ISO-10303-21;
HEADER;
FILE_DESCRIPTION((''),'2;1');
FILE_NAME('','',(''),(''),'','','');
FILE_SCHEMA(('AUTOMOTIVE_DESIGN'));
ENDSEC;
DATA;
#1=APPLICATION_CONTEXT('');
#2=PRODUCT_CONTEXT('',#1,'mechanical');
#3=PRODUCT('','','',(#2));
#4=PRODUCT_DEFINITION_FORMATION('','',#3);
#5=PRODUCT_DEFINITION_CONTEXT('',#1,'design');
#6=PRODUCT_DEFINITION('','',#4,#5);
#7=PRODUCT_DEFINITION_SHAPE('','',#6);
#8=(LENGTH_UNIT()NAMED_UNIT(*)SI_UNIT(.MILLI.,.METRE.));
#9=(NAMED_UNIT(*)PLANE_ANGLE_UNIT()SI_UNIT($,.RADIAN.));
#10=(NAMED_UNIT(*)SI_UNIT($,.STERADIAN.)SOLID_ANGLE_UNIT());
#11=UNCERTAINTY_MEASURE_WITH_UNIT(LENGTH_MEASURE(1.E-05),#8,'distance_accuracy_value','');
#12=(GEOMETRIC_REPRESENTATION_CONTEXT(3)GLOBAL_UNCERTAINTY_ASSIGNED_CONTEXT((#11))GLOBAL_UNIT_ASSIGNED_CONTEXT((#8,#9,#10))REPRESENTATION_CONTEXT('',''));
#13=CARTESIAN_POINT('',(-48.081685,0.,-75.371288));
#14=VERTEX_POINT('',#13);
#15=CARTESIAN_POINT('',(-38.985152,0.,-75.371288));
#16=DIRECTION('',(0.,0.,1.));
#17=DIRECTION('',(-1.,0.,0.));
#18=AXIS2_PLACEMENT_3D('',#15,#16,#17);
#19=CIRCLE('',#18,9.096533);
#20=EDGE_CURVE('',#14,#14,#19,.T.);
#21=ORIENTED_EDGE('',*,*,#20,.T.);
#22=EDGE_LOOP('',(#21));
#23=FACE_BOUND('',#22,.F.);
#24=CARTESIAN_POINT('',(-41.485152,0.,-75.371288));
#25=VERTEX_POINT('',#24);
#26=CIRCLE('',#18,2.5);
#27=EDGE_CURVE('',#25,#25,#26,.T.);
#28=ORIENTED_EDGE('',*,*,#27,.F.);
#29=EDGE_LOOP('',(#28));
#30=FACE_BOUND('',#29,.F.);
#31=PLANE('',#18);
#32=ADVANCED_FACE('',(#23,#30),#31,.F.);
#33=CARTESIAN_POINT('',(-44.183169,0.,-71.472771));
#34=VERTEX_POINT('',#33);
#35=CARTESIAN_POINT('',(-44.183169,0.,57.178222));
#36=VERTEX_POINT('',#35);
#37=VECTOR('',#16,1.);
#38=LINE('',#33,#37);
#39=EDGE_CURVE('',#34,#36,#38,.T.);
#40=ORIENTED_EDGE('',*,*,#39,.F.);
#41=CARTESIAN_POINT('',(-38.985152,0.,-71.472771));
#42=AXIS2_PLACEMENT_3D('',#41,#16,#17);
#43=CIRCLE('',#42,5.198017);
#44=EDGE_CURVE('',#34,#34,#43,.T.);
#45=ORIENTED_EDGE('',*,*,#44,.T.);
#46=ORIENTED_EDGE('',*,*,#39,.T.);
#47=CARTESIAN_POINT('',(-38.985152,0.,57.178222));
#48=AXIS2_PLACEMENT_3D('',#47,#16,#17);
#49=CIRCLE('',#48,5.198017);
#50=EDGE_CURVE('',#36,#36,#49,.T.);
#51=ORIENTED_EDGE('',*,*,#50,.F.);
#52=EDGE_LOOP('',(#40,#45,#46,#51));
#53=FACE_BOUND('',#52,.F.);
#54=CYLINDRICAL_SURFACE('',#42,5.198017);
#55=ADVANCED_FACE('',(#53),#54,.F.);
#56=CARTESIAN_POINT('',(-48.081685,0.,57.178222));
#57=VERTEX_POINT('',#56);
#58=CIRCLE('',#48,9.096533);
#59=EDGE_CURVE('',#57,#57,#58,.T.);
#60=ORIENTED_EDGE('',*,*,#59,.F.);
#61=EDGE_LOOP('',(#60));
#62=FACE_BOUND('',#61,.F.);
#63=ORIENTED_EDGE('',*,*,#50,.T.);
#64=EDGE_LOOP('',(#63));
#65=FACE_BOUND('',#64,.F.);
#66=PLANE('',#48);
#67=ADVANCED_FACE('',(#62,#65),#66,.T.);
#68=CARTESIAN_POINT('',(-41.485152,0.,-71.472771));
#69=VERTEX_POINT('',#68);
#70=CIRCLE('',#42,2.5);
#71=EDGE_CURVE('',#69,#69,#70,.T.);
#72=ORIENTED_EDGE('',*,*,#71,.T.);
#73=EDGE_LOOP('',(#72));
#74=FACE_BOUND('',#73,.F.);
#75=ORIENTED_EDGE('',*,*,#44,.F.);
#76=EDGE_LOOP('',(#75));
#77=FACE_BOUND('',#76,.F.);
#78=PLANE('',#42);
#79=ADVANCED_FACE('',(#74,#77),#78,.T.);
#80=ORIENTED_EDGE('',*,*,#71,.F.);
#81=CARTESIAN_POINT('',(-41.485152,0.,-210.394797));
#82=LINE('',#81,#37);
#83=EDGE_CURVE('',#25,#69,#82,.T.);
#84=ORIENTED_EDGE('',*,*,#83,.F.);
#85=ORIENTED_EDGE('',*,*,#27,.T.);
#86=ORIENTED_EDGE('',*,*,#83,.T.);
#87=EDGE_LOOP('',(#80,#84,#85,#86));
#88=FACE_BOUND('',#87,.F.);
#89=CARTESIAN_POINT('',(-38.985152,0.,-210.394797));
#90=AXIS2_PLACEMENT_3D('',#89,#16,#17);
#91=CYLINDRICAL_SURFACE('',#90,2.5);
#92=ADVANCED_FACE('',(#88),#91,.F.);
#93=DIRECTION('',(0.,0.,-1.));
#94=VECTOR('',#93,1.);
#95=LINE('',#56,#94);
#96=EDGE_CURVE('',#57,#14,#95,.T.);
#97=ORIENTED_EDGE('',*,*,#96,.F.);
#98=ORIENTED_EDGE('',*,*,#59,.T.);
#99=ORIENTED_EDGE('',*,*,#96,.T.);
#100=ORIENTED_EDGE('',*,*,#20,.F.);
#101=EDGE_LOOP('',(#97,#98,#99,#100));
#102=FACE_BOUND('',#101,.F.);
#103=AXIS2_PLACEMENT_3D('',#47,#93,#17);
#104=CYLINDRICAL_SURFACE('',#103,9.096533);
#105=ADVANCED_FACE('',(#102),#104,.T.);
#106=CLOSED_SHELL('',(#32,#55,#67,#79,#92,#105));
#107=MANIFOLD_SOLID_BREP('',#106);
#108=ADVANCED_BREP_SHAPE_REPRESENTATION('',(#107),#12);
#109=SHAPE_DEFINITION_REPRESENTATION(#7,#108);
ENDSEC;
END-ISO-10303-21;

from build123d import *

# Parameters (mm, degrees)
F3_D = 5


with BuildPart() as f1:
    # F0 (on Front) → F1 (revolve)
    with BuildSketch(Plane.XZ):
        Polygon((-44.183169, 57.178222), (-48.081685, 57.178222), (-48.081685, -75.371288), (-38.985152, -75.371288), (-38.985152, -71.472771), (-44.183169, -71.472771), align=None)
    revolve(axis=Axis((-38.985152, 0, -73.42203), (0, 0, 1)))

    # F3 (through all)
    with Locations(Plane(origin=(0, 0, -75.371288), x_dir=(1, 0, 0), z_dir=(0, 0, -1))):
        with Locations((-38.985152, 0)):
            Hole(F3_D / 2)


solid = f1.part
